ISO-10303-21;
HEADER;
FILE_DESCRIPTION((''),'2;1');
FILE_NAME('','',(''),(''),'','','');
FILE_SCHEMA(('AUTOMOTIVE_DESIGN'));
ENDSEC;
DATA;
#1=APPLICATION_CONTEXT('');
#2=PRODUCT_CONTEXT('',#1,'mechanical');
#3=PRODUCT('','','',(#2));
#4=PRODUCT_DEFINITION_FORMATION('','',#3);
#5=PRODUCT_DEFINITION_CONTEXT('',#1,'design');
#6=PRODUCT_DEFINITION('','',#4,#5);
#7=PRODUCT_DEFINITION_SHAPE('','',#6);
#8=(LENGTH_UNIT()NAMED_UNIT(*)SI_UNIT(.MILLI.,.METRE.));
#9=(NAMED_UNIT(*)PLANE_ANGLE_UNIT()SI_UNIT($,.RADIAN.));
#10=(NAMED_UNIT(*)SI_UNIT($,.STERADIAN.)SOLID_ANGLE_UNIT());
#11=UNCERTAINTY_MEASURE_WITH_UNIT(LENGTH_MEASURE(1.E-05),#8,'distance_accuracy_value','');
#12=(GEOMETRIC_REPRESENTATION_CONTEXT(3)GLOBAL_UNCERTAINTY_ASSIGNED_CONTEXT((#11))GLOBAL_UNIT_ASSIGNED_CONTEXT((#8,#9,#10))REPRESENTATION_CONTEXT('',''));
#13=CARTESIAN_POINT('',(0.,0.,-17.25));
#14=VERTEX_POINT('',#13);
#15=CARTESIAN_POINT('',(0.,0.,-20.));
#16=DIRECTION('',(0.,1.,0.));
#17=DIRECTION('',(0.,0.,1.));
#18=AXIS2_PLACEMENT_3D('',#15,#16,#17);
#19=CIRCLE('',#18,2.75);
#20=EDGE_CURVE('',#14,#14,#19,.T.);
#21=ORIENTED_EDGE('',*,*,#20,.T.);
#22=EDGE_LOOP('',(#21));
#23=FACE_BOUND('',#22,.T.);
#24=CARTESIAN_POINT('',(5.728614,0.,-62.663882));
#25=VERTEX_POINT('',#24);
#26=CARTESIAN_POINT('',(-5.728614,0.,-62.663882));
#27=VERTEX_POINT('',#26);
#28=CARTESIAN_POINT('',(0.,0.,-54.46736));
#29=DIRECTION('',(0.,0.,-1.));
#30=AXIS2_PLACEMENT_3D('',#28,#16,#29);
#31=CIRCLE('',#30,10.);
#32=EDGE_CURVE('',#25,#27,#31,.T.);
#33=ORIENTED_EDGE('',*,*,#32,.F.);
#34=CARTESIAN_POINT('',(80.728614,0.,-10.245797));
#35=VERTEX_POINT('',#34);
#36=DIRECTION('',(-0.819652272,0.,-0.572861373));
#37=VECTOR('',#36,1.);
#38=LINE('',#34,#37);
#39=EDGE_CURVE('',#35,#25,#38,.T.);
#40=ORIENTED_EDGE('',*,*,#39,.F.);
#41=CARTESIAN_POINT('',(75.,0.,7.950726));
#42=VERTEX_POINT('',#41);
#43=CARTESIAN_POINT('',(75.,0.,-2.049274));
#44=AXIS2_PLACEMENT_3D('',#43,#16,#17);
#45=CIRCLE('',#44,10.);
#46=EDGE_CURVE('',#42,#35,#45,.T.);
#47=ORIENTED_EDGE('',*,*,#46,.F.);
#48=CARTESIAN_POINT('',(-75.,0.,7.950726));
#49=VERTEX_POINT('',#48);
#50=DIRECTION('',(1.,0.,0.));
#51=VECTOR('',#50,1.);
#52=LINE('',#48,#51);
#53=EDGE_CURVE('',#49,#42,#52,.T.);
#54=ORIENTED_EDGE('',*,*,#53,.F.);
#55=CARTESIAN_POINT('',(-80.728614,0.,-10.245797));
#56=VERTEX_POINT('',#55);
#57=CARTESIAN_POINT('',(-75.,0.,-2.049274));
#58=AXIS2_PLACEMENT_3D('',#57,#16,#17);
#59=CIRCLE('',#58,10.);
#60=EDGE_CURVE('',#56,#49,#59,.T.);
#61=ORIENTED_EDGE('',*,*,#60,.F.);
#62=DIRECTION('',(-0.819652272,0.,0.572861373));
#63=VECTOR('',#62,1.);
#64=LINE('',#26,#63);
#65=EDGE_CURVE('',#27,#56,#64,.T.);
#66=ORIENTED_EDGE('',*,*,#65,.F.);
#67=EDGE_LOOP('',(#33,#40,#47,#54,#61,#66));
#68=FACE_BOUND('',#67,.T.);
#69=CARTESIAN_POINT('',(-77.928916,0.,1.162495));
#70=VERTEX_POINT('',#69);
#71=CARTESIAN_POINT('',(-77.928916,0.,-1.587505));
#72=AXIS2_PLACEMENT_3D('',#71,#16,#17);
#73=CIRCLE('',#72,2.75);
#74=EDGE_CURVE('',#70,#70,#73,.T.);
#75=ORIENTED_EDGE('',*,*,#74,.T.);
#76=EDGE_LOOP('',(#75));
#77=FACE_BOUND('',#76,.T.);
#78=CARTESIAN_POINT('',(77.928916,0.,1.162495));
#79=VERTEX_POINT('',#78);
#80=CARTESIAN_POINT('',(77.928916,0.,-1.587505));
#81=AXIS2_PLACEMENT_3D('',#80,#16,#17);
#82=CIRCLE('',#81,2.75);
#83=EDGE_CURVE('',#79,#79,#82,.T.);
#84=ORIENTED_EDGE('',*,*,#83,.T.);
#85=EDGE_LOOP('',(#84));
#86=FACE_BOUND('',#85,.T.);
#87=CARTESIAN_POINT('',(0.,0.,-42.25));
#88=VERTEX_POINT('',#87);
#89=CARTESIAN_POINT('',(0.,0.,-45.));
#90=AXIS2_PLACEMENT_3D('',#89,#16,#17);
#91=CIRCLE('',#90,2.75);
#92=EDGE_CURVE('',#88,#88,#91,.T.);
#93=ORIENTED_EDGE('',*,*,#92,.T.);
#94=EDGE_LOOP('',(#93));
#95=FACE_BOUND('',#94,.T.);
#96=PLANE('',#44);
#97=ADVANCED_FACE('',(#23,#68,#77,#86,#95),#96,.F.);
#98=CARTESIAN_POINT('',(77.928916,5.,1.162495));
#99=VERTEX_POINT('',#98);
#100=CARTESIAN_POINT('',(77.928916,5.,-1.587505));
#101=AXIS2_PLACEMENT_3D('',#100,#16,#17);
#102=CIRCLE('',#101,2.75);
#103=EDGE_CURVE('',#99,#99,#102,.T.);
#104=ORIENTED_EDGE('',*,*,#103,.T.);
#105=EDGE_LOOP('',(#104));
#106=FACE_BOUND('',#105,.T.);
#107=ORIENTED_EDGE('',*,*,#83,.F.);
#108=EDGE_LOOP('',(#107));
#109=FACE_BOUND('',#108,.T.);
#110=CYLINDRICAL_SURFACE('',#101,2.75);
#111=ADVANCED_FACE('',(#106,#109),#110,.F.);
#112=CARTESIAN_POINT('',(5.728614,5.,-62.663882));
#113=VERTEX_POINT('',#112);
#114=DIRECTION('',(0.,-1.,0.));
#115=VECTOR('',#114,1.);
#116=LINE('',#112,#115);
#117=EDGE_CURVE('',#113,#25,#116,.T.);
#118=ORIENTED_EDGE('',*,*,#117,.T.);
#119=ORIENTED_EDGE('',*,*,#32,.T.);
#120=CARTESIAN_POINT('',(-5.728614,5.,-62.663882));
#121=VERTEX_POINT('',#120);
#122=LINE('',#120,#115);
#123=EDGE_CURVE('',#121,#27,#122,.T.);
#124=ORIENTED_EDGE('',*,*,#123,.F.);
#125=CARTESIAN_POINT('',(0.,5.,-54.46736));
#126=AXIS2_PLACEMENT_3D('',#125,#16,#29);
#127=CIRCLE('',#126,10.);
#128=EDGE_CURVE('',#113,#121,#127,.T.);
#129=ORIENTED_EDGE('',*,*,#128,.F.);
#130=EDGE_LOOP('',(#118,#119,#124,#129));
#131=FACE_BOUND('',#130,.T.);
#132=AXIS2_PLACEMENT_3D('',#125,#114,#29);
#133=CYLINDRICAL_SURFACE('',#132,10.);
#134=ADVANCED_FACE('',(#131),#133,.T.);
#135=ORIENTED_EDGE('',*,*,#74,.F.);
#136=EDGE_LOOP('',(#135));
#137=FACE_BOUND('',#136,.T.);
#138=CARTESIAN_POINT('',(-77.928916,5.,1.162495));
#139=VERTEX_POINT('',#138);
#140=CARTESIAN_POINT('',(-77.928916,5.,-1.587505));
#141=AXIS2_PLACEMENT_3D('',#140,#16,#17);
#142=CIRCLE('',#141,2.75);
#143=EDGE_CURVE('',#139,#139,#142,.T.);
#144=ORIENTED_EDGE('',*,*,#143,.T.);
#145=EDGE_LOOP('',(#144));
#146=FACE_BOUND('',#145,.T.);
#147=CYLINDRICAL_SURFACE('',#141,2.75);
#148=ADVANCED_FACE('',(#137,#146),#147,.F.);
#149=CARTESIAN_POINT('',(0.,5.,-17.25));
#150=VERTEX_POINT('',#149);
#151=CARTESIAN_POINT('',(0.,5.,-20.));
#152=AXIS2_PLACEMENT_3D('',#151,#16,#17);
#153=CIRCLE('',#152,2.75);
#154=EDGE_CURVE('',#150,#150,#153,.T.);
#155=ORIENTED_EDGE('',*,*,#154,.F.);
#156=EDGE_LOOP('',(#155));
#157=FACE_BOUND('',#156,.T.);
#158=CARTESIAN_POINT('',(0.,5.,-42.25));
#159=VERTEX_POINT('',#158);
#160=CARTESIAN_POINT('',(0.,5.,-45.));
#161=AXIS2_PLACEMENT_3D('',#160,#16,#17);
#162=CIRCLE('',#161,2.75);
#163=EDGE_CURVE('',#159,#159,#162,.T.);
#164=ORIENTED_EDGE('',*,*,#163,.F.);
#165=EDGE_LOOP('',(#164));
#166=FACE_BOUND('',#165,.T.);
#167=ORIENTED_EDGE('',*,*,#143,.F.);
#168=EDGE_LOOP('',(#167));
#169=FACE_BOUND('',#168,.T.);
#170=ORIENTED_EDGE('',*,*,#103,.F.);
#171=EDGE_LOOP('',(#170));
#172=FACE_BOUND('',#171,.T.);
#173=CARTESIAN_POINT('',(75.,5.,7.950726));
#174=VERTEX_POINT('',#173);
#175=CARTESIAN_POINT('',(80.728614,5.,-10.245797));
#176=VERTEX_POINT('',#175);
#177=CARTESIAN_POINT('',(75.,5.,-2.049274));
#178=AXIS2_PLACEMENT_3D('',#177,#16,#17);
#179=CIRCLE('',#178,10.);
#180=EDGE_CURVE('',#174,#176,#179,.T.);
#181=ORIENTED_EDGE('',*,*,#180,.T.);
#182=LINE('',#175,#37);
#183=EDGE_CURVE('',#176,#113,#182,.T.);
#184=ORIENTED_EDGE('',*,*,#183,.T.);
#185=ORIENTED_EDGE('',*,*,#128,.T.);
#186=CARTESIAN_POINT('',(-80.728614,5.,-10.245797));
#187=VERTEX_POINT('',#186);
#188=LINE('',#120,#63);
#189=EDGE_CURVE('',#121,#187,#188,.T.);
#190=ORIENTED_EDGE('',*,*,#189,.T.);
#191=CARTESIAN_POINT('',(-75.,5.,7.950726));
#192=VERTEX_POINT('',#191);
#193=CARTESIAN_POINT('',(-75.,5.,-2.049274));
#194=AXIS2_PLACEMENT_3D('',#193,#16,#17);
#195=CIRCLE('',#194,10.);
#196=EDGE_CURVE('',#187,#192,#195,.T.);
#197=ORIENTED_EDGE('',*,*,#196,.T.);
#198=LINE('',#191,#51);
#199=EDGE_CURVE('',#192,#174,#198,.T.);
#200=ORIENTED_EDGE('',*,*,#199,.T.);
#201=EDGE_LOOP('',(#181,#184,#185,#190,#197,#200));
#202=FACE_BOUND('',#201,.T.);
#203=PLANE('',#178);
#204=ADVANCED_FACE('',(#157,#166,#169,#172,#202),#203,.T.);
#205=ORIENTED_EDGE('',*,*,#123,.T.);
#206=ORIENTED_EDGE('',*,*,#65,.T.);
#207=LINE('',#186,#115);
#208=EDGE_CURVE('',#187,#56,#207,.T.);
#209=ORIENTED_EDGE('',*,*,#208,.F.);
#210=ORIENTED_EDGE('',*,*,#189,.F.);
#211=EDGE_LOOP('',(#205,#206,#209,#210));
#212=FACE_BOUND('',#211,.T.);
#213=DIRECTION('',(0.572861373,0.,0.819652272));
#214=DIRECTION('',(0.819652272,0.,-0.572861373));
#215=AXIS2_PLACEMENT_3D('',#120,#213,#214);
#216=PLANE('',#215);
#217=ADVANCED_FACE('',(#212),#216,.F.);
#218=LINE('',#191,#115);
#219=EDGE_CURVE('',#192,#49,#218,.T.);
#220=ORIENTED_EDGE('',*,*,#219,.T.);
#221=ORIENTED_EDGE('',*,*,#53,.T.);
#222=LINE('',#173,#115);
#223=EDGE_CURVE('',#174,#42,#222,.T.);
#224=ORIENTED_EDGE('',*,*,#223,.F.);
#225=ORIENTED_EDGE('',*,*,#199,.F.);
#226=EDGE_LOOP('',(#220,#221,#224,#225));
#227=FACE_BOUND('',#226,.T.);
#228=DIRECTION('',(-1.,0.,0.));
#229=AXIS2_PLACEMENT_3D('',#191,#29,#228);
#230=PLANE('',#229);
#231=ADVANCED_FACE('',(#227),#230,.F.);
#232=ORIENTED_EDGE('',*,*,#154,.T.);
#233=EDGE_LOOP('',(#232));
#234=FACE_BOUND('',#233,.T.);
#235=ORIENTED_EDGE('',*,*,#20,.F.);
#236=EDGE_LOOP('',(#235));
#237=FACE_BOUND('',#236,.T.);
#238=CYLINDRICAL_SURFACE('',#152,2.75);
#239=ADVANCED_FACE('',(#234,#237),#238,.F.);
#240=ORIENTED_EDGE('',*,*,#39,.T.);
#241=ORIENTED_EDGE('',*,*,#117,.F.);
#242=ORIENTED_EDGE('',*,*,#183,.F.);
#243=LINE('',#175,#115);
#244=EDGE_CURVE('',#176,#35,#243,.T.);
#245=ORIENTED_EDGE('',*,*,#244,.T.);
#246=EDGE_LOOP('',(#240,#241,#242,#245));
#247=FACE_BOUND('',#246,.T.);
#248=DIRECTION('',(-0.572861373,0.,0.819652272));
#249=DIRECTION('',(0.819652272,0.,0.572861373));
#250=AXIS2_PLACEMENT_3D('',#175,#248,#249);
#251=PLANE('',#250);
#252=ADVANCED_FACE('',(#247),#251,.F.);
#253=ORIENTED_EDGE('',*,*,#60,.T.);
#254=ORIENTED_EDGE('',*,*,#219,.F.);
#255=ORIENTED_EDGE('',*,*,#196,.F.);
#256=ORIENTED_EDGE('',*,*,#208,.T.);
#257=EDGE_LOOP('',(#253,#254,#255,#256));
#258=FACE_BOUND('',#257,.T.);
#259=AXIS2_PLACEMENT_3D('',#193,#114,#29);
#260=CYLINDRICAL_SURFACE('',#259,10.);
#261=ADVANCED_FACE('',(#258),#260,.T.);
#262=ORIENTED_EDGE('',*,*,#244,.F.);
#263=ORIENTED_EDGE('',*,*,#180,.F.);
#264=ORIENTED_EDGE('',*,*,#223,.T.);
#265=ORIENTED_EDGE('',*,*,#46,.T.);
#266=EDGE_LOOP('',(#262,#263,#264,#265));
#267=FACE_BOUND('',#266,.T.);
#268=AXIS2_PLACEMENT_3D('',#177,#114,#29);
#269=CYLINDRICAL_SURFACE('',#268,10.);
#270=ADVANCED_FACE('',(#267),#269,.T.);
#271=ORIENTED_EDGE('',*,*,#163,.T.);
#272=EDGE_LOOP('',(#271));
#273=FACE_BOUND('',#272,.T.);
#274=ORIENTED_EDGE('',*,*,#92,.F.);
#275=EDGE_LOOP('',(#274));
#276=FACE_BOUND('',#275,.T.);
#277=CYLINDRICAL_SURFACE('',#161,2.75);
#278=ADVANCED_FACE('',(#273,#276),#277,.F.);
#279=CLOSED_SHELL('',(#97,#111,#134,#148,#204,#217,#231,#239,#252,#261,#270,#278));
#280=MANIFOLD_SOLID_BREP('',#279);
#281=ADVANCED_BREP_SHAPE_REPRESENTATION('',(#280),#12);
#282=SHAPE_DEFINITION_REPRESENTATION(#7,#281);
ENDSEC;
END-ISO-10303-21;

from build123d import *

# Parameters (mm, degrees)
BOSS_EXTRUDE1_DEPTH  = 5
M5_CLEARANCE_HOLE1_D = 5.5
M5_CLEARANCE_HOLE2_D = 5.5


with BuildPart() as part:
    # Sketch2 → Boss-Extrude1 (new body)
    with BuildSketch(Plane(origin=(0, 0, 0), x_dir=(1, 0, 0), z_dir=(0, 1, 0))):
        with BuildLine():
            Line((-5.72861373, 62.663882494), (-80.72861373, 10.24579688))
            ThreePointArc((-80.72861373, 10.24579688), (-84.538480676, -0.953622176), (-75, -7.950725842))
            Line((-75, -7.950725842), (75, -7.950725842))
            ThreePointArc((75, -7.950725842), (84.538480676, -0.953622176), (80.72861373, 10.24579688))
            Line((80.72861373, 10.24579688), (5.72861373, 62.663882494))
            ThreePointArc((5.72861373, 62.663882494), (0, 64.467359772), (-5.72861373, 62.663882494))
        make_face()
    extrude(amount=BOSS_EXTRUDE1_DEPTH)

    # M5 Clearance Hole1 (through all)
    with Locations(Plane(origin=(0, 5, 0), x_dir=(1, 0, 0), z_dir=(0, 1, 0))):
        with Locations((0, 45), (0, 20)):
            Hole(M5_CLEARANCE_HOLE1_D / 2)

    # M5 Clearance Hole2 (through all)
    with Locations(Plane(origin=(0, 5, 0), x_dir=(1, 0, 0), z_dir=(0, 1, 0))):
        with Locations((-77.928915997, 1.587505431)):
            m5_clearance_hole2 = Hole(M5_CLEARANCE_HOLE2_D / 2)

    # Mirror1: M5 Clearance Hole2 across plane
    add(m5_clearance_hole2.mirror(Plane(origin=(0, 0, 0), x_dir=(0, 0, 1), z_dir=(1, 0, 0))), mode=Mode.SUBTRACT)


solid = part.part
